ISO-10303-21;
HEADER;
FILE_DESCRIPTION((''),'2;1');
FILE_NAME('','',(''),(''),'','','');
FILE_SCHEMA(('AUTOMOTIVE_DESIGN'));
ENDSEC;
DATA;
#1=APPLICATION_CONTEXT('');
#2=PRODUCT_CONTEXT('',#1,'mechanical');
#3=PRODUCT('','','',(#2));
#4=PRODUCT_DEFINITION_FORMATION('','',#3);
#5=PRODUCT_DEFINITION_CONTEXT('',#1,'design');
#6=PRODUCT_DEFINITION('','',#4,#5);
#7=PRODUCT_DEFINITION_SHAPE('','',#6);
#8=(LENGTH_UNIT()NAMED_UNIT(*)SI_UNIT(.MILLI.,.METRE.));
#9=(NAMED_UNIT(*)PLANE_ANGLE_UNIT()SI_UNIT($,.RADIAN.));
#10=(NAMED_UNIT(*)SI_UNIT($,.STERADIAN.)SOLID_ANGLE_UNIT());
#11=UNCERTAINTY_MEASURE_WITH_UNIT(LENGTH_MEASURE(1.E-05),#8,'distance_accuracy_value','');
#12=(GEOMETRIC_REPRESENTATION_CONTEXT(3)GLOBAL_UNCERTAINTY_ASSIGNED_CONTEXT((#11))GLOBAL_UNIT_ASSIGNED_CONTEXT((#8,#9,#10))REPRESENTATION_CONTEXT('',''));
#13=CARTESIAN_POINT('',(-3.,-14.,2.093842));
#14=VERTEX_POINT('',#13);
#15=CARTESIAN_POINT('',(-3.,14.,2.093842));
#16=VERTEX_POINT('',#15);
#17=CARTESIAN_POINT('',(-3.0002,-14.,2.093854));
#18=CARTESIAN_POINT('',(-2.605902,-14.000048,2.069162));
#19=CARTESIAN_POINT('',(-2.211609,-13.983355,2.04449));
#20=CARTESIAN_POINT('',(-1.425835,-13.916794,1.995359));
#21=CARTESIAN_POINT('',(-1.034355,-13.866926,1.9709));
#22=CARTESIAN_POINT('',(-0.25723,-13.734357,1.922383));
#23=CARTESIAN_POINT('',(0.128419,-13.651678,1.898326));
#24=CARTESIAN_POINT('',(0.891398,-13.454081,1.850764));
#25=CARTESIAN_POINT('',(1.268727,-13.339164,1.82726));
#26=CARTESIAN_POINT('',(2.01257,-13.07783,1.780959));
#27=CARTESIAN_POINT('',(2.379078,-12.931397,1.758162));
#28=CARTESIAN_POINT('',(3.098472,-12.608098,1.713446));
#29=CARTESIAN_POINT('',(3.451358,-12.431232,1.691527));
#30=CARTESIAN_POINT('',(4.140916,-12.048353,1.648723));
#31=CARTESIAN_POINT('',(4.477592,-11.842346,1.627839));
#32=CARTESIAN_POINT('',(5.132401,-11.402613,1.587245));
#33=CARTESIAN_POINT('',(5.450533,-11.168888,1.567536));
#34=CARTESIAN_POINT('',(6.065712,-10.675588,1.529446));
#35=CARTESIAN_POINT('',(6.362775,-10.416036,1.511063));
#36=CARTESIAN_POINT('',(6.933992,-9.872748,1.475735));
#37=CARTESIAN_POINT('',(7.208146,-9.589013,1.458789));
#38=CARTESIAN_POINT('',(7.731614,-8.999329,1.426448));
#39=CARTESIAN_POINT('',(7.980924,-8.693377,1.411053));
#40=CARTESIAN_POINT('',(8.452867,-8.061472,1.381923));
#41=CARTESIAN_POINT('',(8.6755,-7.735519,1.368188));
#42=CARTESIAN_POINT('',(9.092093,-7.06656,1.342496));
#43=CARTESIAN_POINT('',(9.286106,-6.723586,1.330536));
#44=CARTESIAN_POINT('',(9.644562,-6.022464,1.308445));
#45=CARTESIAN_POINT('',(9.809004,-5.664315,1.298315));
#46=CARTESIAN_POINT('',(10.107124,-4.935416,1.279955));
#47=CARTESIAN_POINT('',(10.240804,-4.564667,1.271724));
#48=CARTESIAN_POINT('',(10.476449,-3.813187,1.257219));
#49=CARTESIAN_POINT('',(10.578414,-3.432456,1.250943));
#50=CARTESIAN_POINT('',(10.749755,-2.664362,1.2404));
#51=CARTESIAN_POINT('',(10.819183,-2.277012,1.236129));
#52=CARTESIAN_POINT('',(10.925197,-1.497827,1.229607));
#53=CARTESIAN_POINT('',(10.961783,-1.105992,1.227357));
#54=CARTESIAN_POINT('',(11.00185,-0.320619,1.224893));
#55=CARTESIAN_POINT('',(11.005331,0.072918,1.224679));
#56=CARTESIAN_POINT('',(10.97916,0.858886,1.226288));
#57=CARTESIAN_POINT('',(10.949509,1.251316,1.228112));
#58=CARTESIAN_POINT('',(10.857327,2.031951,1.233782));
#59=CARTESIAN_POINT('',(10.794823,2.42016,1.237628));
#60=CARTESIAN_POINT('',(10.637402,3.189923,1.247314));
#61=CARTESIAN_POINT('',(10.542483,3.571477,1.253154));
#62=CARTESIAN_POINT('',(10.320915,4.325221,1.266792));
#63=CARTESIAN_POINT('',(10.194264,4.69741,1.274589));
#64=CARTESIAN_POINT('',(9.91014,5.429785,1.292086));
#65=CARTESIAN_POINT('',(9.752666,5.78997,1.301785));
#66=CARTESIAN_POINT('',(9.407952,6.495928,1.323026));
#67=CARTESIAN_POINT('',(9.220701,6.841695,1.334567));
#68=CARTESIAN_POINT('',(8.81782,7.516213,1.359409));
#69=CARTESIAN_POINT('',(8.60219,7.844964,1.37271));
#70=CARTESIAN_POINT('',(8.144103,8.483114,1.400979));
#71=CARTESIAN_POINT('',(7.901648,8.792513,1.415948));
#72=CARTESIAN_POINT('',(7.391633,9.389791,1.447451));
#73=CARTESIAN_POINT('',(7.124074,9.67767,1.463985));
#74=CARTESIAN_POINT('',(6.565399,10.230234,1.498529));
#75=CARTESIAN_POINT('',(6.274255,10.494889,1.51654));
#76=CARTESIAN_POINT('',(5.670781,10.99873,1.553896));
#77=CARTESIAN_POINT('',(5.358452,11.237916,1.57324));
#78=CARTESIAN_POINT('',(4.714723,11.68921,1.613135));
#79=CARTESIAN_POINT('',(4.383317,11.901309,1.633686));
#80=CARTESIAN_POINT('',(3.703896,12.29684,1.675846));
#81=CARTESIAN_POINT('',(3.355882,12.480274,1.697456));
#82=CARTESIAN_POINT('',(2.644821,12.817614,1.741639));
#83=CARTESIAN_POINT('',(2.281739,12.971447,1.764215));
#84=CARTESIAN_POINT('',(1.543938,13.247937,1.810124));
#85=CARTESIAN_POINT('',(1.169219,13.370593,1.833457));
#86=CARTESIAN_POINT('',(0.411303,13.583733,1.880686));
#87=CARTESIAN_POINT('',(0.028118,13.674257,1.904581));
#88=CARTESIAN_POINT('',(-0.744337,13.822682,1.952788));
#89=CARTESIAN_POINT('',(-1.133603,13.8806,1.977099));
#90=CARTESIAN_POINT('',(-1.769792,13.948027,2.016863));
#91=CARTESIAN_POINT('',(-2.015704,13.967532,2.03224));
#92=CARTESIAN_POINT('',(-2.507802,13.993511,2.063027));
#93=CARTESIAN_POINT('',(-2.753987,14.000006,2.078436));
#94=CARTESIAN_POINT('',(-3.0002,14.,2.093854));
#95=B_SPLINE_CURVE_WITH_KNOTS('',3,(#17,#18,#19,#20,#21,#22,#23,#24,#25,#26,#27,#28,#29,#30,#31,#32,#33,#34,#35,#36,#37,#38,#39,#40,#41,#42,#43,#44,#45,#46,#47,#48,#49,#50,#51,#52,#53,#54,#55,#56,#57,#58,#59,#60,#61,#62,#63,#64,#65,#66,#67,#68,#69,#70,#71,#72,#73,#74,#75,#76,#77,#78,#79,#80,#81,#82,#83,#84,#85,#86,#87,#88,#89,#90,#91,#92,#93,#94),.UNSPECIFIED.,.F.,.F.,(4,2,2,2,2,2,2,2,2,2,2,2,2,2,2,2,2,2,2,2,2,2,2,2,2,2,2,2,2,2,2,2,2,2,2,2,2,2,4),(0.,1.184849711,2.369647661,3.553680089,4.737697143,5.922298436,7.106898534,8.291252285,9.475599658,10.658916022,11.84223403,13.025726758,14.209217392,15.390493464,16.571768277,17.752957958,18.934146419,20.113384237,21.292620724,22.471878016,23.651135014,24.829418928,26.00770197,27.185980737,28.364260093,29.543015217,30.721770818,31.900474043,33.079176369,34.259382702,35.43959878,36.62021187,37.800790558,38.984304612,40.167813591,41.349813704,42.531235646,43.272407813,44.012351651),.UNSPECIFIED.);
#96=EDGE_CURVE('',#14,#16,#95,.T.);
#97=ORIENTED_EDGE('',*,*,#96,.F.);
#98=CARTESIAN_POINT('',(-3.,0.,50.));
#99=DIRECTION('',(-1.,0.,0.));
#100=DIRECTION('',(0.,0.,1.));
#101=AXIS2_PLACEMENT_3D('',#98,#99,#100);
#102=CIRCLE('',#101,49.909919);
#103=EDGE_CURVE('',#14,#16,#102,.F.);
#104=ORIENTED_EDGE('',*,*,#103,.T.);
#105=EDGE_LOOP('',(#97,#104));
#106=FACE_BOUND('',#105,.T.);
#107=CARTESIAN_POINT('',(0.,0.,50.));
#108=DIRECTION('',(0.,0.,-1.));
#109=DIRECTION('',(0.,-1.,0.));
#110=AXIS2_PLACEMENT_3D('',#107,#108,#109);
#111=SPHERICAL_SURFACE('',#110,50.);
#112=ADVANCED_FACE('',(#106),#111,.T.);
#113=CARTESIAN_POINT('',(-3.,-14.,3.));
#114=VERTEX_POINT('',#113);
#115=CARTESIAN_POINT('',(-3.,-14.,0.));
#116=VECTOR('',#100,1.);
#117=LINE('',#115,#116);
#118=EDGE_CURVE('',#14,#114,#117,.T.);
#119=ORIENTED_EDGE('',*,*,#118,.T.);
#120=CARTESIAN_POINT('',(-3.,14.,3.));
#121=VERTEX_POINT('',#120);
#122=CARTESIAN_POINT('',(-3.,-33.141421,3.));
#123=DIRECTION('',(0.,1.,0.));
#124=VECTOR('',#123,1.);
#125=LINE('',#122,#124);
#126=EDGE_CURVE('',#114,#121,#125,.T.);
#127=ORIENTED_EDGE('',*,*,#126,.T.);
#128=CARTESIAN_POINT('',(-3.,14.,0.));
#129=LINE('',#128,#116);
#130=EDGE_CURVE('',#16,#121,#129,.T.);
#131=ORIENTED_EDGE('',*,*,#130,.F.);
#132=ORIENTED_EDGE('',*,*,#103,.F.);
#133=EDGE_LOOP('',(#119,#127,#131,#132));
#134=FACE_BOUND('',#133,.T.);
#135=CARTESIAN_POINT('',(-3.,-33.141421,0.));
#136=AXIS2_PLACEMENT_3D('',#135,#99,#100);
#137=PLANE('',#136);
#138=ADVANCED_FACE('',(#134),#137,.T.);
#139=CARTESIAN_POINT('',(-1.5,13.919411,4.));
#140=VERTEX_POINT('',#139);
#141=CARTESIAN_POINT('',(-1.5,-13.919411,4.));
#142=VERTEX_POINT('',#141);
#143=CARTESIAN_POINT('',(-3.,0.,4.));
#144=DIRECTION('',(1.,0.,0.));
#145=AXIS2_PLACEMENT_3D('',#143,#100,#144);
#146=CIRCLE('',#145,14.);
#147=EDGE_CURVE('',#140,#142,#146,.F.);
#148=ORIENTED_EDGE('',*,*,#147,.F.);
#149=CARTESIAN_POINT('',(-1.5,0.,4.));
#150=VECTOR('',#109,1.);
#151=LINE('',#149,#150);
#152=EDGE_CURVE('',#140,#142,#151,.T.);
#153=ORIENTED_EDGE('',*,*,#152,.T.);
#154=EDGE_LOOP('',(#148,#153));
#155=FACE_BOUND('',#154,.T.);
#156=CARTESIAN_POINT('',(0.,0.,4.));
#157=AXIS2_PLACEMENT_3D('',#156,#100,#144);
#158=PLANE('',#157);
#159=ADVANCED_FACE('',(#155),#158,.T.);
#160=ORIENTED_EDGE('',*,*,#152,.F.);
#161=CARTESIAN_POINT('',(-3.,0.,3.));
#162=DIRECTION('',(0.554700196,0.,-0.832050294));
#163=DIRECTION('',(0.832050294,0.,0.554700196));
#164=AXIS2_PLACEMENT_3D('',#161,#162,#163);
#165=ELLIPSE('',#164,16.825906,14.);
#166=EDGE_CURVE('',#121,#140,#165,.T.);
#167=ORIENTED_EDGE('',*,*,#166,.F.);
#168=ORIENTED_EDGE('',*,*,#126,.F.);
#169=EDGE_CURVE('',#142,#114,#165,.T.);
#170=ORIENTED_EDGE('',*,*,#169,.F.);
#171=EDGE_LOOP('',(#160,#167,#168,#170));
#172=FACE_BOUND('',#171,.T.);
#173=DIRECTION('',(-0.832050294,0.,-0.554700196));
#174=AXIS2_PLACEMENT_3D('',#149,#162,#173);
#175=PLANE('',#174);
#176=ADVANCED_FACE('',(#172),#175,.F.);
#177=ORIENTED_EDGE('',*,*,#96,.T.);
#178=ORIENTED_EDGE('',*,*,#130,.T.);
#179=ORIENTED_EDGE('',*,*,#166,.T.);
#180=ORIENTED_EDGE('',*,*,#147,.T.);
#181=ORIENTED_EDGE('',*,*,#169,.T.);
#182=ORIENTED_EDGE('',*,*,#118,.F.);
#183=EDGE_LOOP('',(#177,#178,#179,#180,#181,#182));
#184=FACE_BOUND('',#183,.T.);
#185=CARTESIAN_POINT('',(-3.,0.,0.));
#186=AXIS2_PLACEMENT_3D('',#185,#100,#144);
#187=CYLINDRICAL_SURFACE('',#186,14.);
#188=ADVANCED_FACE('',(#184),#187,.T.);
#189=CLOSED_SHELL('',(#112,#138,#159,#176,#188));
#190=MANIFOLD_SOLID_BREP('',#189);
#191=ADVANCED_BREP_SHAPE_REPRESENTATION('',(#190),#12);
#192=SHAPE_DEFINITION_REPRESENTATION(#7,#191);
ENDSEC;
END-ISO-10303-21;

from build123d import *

# Parameters (mm, degrees)
SKETCH_6_R          = 15
CUT_EXTRUDE_1_DEPTH = 5
CHAMFER_1_SIZE      = 1
CHAMFER_1_SIZE2     = 1.5


with BuildPart() as part:
    # Эскиз5 → Повернуть1 (revolve)
    with BuildSketch(Plane(origin=(0, 0, 0), x_dir=(0, 0, -1), z_dir=(1, 0, 0))):
        with BuildLine():
            Line((-4, 0), (-4, 15))
            Line((-4, 15), (-2.303039929, 15))
            ThreePointArc((-2.303039929, 15), (-0.579113709, 7.587884964), (0, 0))
            Line((0, 0), (-4, 0))
        make_face()
    revolve(axis=Axis((0, 0, -1), (0, 0, 1)))

    # Эскиз6 → Вырез-Вытянуть1 (cut, through all)
    with BuildSketch(Plane.XY.offset(4)):
        Circle(SKETCH_6_R)
        with BuildLine():
            Line((-3, -14), (-3, 14))
            ThreePointArc((-3, 14), (11, 0), (-3, -14))
        make_face(mode=Mode.SUBTRACT)
    extrude(amount=-CUT_EXTRUDE_1_DEPTH, mode=Mode.SUBTRACT)

    # Фаска1
    chamfer_1_edges = [part.edges().sort_by_distance(p)[0] for p in [
        (-3, 0, 4),
    ]]
    chamfer_1_side = [part.faces().sort_by_distance(p)[0] for p in [
        (-3, 0, 2.321648578),
    ]]
    chamfer(chamfer_1_edges, length=CHAMFER_1_SIZE, length2=CHAMFER_1_SIZE2, reference=chamfer_1_side[0])


solid = part.part
